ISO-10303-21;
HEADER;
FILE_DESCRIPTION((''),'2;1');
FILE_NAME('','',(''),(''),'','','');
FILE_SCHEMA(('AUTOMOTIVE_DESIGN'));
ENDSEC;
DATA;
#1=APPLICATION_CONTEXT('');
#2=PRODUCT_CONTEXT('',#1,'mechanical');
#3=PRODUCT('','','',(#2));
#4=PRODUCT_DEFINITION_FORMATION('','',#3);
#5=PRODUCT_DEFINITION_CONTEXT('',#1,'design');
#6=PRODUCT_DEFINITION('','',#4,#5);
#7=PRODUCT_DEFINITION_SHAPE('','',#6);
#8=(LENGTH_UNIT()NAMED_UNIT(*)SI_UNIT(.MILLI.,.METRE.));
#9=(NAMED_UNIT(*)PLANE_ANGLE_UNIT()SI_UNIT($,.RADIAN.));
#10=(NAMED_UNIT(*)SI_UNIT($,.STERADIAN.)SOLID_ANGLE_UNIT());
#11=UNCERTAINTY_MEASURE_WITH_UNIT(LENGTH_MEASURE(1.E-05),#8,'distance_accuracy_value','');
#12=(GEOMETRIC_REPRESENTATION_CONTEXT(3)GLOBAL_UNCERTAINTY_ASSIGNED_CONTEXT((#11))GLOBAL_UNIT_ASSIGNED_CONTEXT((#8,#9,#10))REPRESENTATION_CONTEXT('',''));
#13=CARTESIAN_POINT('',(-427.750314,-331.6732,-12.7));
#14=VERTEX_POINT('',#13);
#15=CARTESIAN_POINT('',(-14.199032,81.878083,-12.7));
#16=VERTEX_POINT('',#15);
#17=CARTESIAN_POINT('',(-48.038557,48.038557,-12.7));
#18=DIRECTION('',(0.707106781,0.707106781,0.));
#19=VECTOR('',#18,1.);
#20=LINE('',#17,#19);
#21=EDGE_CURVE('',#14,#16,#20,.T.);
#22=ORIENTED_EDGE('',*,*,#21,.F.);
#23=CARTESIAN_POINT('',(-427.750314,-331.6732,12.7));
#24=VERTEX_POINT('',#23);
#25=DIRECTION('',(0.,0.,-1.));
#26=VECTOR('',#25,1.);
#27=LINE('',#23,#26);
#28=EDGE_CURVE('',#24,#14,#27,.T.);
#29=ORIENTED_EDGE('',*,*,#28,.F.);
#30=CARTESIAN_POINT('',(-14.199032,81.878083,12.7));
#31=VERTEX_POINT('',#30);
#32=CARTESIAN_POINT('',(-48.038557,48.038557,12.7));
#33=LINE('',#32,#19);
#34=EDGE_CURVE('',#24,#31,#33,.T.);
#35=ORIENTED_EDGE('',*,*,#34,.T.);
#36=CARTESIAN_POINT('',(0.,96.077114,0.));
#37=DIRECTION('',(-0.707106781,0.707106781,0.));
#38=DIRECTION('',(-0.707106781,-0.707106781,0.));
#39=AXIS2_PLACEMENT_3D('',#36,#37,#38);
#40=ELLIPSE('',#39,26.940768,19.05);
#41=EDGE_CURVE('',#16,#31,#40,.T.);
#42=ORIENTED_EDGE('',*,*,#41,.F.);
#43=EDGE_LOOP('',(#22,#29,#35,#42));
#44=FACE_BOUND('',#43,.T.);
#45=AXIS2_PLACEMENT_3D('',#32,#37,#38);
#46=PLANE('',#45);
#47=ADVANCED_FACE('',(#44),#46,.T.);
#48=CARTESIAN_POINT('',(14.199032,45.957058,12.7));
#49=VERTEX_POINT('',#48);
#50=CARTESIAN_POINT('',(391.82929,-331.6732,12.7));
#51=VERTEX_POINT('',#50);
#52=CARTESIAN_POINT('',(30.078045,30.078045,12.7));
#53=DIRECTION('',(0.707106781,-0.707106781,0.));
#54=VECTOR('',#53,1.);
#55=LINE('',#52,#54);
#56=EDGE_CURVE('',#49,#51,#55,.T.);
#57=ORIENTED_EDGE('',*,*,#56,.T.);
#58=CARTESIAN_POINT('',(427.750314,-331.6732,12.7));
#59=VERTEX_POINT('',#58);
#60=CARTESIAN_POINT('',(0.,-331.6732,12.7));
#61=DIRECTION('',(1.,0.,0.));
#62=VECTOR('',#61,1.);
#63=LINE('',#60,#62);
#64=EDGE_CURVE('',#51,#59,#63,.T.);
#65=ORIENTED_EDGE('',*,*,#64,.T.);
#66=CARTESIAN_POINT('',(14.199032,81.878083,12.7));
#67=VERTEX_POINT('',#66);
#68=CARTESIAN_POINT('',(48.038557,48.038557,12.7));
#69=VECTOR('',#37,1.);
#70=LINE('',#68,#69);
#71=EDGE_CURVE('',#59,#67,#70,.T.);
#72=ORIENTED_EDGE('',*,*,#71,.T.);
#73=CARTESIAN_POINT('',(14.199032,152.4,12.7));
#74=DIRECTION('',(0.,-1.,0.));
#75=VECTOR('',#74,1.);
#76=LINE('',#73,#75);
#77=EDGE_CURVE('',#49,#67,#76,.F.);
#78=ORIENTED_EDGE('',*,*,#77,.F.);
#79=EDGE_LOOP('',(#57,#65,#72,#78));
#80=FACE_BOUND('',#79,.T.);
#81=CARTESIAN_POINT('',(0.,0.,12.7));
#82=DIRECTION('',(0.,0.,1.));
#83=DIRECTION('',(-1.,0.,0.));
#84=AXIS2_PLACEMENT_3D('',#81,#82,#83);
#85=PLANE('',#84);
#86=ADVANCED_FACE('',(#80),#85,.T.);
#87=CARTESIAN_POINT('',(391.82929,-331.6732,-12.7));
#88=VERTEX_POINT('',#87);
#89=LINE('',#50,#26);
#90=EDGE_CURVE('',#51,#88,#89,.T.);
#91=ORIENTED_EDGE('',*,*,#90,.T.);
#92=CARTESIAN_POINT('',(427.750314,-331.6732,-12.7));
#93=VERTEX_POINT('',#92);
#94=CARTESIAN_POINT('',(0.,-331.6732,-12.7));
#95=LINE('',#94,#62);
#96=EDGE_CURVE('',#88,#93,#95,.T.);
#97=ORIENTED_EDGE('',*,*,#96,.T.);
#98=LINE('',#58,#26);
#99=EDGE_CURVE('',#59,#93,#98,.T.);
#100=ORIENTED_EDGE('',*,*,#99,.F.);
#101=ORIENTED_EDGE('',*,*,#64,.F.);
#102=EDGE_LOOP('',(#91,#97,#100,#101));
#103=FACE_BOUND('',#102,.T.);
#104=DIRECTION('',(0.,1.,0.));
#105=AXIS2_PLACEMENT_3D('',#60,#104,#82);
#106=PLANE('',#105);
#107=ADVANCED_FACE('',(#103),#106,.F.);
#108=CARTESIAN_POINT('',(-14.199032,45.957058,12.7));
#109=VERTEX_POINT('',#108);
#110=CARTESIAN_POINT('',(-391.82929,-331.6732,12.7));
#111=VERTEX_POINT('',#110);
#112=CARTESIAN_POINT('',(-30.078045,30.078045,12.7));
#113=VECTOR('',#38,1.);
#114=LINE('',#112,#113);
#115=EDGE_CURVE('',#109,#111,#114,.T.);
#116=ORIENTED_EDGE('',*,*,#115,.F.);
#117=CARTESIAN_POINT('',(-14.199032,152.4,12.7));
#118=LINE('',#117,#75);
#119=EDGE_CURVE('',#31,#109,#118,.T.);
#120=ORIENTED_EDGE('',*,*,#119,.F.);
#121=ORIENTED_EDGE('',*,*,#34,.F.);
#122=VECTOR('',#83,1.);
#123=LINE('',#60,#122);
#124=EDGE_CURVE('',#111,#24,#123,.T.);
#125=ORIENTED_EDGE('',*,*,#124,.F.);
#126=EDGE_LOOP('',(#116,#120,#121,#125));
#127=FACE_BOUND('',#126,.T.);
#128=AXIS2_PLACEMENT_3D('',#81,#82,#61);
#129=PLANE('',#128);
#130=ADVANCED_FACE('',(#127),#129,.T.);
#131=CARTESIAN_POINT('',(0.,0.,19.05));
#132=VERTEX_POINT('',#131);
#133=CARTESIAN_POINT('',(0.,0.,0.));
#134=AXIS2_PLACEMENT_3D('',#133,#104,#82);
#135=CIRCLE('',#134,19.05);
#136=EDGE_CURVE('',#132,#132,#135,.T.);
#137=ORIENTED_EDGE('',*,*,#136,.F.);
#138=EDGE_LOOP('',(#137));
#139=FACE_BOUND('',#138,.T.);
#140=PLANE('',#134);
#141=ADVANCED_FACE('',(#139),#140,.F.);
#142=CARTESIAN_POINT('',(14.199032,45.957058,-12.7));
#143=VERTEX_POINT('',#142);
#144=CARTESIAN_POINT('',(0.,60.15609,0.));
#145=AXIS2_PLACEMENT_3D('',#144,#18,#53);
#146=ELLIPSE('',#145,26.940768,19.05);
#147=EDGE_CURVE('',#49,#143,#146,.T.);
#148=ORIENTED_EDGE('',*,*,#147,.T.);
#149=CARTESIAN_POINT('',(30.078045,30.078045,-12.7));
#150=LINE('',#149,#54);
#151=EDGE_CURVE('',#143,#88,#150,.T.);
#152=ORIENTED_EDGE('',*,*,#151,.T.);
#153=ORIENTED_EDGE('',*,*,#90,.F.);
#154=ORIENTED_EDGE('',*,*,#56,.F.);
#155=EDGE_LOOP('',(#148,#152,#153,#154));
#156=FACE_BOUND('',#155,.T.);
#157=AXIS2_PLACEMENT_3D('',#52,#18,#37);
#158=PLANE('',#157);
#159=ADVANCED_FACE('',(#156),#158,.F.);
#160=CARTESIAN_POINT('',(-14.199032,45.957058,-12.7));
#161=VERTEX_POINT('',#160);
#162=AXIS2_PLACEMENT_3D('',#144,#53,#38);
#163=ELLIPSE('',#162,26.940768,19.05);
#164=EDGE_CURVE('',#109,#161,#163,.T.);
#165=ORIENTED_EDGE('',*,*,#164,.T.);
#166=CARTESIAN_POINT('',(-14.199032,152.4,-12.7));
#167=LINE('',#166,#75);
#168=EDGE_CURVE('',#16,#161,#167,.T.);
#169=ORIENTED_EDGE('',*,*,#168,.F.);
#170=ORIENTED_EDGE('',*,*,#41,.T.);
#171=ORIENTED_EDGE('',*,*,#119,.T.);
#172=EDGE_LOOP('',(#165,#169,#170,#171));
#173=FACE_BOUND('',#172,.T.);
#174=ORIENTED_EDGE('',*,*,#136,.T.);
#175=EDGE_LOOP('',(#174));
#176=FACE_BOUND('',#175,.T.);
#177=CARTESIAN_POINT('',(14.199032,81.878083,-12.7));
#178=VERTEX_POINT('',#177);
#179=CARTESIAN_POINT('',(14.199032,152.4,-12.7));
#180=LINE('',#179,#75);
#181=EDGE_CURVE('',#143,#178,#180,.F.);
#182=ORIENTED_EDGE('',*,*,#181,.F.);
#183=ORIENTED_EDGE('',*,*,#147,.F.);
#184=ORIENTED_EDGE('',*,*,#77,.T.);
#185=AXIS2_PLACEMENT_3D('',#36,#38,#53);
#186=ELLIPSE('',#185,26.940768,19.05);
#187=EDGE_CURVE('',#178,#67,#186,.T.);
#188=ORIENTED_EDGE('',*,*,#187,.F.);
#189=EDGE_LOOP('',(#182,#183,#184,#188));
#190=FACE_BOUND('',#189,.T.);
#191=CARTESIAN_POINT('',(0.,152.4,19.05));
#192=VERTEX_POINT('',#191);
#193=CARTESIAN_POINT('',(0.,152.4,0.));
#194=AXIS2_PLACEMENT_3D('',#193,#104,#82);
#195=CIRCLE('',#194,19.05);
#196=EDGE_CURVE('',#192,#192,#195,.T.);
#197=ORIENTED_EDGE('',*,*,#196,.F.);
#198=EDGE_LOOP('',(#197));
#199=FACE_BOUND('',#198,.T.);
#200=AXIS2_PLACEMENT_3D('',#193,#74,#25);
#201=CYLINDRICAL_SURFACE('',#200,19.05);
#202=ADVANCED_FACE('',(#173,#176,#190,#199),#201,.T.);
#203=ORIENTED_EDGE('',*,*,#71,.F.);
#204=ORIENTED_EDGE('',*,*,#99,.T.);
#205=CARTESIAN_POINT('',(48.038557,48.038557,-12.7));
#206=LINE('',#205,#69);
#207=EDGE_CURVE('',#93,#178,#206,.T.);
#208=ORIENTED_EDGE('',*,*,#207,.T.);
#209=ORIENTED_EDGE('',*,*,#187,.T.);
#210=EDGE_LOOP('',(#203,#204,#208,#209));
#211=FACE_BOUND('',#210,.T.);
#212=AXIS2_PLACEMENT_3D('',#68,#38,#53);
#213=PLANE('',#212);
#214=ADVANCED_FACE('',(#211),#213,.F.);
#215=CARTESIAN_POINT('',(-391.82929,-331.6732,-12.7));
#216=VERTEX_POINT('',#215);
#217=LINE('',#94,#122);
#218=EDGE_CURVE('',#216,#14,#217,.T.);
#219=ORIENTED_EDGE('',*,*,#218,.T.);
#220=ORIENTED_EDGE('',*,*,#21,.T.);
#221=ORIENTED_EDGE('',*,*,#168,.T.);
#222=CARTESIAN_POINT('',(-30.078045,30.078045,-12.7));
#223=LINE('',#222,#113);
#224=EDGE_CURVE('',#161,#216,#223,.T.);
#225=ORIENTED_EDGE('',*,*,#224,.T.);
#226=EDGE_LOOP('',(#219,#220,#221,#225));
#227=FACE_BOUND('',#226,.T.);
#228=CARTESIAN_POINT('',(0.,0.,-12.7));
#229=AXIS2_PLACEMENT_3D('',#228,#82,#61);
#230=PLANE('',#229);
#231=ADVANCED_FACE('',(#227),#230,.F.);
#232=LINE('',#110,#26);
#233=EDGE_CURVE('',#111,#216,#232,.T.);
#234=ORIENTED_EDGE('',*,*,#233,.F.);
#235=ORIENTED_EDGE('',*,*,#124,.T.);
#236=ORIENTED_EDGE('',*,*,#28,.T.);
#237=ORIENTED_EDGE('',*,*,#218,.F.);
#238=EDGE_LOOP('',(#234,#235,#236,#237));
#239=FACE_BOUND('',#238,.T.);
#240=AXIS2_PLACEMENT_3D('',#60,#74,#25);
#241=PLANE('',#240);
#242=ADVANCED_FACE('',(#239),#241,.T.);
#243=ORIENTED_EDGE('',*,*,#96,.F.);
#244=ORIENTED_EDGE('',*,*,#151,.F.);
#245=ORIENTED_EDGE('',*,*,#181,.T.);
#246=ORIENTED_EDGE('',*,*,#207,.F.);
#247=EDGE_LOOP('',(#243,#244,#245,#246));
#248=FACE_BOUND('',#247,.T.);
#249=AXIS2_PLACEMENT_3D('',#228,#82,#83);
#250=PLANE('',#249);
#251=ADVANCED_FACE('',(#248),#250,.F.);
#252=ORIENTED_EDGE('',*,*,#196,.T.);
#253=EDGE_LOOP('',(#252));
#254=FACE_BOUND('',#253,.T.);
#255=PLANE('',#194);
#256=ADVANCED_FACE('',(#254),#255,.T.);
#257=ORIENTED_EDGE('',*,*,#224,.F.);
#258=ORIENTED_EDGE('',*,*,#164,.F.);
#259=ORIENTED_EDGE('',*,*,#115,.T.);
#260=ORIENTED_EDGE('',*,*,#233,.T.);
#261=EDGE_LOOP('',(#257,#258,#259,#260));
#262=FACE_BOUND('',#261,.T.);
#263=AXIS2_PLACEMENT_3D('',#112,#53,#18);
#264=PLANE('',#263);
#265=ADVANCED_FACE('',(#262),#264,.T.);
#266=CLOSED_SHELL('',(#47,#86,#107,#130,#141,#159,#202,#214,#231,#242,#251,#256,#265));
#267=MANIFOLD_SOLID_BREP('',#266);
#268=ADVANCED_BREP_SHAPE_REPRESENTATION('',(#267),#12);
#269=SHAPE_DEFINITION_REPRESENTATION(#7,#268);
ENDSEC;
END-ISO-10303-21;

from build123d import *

# Parameters (mm, degrees)
SKETCH2_R           = 19.05
BOSS_EXTRUDE1_DEPTH = 152.4
BOSS_EXTRUDE2_DEPTH = 12.7


with BuildPart() as part:
    # Sketch2 → Boss-Extrude1 (new body)
    with BuildSketch(Plane(origin=(0, 0, 0), x_dir=(1, 0, 0), z_dir=(0, 1, 0))):
        with Locations(Location((0, 0, 0), (0, 0, 90))):
            Circle(SKETCH2_R)
    extrude(amount=BOSS_EXTRUDE1_DEPTH)

    # Sketch3 → Boss-Extrude2 (add, symmetric)
    with BuildSketch(Plane.XY):
        Polygon((-427.750314484, -331.6732), (-409.789802242, -313.712687758), (-391.82929, -331.6732), align=None)
        Polygon((-6.028675512, 90.048438972), (-409.789802242, -313.712687758), (-391.82929, -331.6732), (11.93183673, 72.08792673), align=None)
    boss_extrude2 = extrude(amount=BOSS_EXTRUDE2_DEPTH, both=True)

    # Mirror1: Boss-Extrude2 across plane
    add(boss_extrude2.mirror(Plane(origin=(0, 0, 0), x_dir=(0, 0, 1), z_dir=(1, 0, 0))))


solid = part.part
